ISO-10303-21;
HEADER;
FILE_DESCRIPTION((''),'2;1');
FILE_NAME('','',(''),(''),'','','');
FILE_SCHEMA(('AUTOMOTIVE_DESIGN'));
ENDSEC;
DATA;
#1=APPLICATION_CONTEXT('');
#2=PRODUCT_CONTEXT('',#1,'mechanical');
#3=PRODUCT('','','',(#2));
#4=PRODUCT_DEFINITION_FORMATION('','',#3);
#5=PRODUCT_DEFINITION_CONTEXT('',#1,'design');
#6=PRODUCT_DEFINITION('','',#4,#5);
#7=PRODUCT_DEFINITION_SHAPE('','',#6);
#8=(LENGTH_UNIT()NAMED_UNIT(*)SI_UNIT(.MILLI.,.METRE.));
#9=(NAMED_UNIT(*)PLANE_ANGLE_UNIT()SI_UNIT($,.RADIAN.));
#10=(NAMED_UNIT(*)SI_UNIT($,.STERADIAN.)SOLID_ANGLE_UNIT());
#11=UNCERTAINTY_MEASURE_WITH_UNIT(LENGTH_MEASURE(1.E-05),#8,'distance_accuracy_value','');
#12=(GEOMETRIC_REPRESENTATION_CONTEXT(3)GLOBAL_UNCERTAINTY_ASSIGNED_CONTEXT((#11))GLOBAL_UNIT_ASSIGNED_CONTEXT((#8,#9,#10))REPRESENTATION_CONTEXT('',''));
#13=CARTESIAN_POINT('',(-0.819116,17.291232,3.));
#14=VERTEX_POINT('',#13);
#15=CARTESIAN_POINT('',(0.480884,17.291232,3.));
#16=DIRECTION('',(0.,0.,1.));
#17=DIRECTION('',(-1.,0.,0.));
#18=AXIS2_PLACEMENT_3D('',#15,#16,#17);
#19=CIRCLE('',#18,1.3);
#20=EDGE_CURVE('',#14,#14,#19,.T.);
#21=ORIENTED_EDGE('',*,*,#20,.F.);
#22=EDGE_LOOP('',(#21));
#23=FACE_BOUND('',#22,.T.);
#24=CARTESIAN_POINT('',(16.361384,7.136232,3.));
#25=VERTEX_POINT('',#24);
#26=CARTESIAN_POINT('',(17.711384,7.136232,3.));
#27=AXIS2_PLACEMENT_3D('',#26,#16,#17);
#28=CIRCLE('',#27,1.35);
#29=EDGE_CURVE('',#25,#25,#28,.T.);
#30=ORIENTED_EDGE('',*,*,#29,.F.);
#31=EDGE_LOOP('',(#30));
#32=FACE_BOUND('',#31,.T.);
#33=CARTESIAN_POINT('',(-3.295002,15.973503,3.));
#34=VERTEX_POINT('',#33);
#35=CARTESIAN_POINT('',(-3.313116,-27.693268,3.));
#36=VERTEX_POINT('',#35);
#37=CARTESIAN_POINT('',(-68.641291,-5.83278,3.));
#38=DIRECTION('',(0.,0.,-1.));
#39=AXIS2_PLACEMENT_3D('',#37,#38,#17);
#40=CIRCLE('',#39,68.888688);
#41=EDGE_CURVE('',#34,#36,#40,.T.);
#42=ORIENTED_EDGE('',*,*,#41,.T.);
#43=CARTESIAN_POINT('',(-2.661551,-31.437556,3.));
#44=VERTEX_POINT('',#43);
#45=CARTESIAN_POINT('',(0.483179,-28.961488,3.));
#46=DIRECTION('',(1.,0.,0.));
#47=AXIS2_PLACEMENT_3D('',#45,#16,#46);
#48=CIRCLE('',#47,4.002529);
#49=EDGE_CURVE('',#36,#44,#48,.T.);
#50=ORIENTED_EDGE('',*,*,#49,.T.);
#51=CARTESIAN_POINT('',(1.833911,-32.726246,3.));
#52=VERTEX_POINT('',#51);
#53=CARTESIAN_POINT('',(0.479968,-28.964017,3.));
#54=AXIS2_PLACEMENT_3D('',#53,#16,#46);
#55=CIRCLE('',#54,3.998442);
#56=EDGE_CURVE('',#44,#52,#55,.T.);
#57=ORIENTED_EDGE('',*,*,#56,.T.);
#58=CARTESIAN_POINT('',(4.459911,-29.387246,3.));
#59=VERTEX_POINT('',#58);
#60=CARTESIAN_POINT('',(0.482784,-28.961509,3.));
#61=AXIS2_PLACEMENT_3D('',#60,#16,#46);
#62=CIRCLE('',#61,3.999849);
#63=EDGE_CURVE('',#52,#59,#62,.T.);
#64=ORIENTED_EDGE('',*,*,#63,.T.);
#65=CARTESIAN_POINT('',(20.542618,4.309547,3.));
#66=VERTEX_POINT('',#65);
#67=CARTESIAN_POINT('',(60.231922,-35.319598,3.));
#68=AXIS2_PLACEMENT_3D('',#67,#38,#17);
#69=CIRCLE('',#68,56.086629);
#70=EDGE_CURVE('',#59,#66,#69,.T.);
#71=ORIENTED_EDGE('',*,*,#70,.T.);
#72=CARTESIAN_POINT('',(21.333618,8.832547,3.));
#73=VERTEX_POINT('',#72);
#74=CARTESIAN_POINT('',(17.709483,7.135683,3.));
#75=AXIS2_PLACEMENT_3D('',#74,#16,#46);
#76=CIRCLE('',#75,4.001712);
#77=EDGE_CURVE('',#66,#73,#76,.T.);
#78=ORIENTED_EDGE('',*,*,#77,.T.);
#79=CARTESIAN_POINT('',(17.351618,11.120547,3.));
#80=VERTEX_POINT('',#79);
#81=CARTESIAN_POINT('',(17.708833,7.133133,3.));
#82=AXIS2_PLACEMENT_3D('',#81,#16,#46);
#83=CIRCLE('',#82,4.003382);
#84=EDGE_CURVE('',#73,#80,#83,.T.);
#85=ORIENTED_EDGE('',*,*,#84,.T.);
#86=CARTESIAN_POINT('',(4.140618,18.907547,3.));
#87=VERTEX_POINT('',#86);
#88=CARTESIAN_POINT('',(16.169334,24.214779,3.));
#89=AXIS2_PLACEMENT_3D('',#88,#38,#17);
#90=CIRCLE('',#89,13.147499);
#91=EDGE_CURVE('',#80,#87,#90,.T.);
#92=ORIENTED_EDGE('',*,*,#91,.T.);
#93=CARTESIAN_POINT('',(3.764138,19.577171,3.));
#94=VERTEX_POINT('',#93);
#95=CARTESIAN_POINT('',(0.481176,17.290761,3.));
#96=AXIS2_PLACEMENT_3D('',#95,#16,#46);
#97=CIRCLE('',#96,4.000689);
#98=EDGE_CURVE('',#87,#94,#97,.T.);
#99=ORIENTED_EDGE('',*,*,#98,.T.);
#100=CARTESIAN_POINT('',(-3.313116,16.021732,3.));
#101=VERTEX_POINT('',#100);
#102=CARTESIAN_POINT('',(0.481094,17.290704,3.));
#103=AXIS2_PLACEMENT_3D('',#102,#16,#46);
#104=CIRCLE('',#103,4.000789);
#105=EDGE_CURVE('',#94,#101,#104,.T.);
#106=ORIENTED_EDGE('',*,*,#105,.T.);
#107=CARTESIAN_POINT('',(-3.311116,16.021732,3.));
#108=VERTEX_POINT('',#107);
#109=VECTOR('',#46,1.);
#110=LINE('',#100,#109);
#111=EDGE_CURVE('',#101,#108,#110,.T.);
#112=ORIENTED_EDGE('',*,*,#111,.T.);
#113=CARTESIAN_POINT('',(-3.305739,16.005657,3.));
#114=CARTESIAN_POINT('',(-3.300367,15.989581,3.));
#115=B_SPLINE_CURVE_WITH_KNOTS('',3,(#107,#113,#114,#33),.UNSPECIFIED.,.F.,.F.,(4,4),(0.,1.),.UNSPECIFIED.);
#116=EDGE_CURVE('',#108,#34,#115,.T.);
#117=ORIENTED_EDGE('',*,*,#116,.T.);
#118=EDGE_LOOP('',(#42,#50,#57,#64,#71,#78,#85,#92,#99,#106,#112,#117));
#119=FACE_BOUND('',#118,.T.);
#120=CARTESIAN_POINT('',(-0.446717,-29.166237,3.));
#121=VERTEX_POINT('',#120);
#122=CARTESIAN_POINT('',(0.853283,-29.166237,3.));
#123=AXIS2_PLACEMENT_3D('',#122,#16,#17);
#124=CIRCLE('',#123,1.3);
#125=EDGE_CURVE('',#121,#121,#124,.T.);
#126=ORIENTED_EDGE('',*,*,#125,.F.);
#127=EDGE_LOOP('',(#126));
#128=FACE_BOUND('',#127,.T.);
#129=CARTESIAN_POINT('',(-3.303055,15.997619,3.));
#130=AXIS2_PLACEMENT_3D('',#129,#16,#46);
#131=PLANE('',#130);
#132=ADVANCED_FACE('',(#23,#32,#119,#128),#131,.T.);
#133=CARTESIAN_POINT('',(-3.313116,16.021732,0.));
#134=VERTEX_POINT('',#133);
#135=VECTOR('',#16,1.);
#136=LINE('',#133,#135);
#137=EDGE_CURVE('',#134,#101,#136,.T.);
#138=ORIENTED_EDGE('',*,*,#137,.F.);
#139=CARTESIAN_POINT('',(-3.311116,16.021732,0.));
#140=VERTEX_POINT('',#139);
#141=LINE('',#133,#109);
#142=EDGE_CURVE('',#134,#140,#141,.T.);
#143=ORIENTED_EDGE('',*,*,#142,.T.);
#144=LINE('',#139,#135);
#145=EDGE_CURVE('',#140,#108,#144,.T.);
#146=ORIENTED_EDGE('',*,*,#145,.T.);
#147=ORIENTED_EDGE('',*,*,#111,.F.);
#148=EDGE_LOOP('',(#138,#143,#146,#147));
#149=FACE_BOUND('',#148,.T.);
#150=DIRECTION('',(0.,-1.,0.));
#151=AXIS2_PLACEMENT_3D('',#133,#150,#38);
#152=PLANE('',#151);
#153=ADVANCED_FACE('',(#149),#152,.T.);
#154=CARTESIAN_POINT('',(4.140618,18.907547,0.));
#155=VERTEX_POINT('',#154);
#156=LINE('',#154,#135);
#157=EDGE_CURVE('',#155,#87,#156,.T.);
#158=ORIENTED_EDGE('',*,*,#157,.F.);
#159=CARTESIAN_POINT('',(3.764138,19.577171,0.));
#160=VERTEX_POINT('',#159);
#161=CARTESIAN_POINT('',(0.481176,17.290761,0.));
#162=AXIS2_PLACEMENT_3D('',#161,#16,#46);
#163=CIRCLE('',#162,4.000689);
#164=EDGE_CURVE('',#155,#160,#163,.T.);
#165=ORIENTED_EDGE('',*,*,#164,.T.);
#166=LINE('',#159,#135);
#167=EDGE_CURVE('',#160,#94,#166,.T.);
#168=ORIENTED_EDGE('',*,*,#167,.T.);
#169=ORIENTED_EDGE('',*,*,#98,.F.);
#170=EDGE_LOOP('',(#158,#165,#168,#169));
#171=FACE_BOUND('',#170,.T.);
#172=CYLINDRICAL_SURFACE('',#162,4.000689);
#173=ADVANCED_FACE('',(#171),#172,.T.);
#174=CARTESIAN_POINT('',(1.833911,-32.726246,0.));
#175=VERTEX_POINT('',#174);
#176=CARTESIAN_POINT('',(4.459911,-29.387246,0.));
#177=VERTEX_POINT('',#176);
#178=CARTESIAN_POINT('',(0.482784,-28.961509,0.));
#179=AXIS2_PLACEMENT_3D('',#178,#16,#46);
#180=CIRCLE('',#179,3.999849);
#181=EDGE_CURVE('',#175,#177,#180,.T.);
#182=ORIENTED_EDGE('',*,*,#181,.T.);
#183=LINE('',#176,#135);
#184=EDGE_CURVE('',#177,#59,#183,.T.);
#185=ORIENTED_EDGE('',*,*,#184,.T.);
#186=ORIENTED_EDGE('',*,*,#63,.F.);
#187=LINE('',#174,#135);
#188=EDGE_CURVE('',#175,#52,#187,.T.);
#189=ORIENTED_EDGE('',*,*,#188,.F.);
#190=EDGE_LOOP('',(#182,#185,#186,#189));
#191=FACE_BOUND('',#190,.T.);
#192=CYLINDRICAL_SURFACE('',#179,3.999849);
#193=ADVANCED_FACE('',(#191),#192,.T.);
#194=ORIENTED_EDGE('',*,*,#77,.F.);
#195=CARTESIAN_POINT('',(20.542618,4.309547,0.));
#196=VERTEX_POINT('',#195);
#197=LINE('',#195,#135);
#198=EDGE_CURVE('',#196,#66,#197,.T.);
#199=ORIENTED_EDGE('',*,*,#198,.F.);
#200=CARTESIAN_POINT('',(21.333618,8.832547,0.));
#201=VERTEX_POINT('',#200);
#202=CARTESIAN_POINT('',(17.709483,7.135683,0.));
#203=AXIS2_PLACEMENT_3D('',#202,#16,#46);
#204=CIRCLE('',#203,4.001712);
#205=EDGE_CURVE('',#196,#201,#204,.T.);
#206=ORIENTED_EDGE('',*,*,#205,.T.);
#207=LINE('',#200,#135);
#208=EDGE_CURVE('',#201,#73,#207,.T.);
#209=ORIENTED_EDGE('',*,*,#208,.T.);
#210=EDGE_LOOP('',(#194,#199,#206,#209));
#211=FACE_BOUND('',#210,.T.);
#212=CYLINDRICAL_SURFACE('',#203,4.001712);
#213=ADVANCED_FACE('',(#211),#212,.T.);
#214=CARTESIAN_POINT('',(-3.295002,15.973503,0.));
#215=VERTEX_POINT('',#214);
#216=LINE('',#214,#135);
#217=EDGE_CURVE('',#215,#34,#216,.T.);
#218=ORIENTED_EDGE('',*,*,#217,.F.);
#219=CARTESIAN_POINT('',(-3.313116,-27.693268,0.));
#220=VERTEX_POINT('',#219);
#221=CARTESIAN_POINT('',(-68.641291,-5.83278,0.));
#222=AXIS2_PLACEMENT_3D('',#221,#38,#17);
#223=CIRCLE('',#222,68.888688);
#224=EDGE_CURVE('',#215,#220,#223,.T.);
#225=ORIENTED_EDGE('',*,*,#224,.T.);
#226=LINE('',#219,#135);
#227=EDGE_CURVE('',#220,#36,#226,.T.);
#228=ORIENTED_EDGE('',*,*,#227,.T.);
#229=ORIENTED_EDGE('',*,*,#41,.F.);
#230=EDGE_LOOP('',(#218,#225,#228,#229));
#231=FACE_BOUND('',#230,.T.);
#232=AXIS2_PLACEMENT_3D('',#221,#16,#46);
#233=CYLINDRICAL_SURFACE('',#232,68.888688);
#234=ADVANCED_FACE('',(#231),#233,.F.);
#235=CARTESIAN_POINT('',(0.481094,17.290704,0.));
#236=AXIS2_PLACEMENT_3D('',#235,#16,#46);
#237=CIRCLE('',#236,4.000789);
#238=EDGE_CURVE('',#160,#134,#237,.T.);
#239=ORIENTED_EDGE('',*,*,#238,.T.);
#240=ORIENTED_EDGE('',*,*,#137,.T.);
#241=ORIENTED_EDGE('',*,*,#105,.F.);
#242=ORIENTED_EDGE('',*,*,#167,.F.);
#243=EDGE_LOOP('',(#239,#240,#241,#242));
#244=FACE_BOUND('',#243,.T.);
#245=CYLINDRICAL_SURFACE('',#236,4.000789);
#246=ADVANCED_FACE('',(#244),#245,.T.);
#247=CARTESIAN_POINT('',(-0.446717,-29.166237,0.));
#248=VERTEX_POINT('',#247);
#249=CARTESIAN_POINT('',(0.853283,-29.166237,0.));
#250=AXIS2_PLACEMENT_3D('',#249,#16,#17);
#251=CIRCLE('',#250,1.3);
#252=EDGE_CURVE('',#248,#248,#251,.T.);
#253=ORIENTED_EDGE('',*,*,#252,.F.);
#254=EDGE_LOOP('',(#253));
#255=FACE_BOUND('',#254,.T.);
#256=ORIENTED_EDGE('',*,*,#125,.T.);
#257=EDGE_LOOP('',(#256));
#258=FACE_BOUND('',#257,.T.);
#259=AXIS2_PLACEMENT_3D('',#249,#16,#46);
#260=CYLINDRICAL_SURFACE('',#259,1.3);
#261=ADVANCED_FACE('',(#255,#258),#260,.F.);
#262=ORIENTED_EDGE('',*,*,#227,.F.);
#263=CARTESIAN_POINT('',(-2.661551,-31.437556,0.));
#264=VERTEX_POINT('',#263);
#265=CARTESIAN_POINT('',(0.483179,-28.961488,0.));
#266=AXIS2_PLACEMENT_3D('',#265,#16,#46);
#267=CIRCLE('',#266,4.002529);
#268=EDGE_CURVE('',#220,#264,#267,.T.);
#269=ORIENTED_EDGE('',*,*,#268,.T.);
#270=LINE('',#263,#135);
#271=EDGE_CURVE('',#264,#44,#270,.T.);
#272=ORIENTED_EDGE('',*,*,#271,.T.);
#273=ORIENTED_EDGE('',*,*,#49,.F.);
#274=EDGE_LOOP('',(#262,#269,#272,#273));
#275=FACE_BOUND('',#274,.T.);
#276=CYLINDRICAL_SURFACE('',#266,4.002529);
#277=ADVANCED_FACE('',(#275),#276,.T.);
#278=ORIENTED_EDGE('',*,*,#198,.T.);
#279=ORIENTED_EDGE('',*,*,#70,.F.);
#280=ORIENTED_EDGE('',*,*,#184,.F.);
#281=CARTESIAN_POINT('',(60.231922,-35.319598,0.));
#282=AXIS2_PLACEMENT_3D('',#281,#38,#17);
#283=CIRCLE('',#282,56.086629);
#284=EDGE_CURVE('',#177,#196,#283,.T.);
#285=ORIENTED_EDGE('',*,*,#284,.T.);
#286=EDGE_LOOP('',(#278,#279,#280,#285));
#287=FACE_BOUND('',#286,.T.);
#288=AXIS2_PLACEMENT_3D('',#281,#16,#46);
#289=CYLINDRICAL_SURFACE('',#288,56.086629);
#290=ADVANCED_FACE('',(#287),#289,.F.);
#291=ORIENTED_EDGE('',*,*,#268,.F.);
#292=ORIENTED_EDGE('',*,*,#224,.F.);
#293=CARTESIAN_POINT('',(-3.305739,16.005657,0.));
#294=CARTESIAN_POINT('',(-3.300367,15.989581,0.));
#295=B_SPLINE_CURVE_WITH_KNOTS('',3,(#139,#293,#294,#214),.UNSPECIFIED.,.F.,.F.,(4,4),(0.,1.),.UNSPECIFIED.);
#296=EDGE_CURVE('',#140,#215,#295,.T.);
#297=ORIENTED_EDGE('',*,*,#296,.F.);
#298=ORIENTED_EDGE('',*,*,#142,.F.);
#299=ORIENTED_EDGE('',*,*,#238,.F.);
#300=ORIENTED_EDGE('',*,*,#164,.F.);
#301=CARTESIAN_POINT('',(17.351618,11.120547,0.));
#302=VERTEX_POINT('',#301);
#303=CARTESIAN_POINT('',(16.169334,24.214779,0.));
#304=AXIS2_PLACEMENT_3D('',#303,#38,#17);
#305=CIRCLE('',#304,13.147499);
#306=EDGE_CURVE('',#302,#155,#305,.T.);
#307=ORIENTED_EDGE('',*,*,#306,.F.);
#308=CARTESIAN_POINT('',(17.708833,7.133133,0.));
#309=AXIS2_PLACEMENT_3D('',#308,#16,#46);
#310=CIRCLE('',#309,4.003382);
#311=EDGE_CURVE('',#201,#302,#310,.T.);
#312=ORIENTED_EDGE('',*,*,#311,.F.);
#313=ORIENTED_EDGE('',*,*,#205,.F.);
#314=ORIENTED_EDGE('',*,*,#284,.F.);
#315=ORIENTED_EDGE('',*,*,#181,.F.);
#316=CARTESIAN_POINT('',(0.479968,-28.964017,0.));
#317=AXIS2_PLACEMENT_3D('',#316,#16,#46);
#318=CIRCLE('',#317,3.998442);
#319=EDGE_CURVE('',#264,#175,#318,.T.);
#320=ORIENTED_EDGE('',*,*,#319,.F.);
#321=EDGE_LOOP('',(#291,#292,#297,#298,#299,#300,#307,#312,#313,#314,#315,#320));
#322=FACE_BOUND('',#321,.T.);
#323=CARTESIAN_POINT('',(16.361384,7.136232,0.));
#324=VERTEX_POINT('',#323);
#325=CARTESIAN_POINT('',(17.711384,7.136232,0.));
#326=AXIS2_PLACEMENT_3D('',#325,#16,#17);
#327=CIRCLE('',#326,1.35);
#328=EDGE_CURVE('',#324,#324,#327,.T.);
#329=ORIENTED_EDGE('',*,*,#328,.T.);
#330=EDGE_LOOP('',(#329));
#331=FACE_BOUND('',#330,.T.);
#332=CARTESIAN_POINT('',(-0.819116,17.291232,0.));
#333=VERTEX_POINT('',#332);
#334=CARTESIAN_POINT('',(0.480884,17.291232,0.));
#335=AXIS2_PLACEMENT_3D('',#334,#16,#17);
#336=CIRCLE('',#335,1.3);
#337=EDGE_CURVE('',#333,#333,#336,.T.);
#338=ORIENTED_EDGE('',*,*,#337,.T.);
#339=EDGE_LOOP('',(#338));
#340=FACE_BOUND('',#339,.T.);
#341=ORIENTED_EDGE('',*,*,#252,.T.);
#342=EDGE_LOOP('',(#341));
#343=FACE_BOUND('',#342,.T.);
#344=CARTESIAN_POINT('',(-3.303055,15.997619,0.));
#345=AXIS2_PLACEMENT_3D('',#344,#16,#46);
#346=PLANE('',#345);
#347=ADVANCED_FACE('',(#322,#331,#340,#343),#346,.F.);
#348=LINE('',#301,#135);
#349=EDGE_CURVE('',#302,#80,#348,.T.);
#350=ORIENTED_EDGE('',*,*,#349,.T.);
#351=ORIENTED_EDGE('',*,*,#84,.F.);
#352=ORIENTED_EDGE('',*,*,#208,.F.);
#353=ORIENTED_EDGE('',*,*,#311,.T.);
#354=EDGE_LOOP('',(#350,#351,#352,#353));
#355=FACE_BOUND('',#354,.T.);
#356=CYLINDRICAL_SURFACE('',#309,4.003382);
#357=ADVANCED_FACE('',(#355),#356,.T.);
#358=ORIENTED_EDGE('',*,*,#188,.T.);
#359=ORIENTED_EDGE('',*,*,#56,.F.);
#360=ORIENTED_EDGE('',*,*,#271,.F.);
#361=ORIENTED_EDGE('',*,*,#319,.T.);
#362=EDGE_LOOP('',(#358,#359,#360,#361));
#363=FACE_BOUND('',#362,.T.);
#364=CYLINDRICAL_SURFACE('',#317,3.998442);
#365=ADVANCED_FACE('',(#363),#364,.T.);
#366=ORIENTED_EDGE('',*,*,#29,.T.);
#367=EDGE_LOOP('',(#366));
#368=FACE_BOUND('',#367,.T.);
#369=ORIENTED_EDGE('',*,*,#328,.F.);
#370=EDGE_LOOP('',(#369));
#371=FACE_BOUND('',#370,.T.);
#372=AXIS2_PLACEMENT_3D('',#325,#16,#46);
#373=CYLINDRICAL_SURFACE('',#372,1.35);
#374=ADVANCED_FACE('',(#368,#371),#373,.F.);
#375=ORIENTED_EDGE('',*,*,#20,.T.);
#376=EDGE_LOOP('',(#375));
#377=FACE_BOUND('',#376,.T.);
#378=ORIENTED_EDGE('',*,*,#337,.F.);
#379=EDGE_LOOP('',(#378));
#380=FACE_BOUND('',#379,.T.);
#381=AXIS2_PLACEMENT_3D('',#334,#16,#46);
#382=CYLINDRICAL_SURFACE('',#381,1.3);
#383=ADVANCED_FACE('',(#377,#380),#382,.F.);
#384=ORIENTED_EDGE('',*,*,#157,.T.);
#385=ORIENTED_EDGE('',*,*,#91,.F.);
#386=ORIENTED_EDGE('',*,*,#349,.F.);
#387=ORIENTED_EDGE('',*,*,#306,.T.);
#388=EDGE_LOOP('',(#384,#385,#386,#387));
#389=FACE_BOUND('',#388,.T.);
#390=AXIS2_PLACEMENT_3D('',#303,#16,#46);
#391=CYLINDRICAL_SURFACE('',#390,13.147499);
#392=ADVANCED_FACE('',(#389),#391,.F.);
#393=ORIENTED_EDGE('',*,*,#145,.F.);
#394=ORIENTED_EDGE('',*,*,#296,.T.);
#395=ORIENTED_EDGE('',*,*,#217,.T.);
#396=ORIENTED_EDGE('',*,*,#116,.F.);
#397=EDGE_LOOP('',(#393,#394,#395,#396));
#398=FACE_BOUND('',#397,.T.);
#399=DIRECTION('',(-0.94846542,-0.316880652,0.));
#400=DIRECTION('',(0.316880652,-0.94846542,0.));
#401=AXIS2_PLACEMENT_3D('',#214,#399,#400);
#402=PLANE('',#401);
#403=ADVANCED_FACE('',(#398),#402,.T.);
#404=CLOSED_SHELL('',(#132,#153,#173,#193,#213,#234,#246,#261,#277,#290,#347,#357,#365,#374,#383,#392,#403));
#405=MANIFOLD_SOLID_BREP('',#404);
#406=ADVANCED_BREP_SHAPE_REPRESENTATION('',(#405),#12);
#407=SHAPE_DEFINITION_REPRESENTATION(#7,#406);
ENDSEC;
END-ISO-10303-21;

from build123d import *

# Parameters (mm, degrees)
SKETCH_1_R      = 1.3
SKETCH_1_R_2    = 1.35
EXTRUDE_1_DEPTH = 3


with BuildPart() as part:
    # 草图1 → 凸台-拉伸1 (new body)
    with BuildSketch(Plane.XY.offset(3)):
        with BuildLine():
            Line((-3.313115848, 16.021732214), (-3.311115848, 16.021732214))
            add(Edge.make_bspline(
                [(-3.311115848, 16.021732214), (-3.305738612, 16.005657169), (-3.30036747, 15.989580634), (-3.295002421, 15.973502613)],
                knots=[0, 0, 0, 0, 1, 1, 1, 1], degree=3))
            ThreePointArc((-3.295002421, 15.973502613), (0.247391506, -5.861355765), (-3.313115848, -27.693267786))
            ThreePointArc((-3.313115848, -27.693267786), (-3.460091003, -29.647679281), (-2.661550551, -31.43755613))
            ThreePointArc((-2.661550551, -31.43755613), (-0.621865458, -32.807647593), (1.833911351, -32.726246371))
            ThreePointArc((1.833911351, -32.726246371), (3.626794929, -31.434157055), (4.459911351, -29.387246371))
            ThreePointArc((4.459911351, -29.387246371), (9.614888081, -11.161248479), (20.542617881, 4.309546771))
            ThreePointArc((20.542617881, 4.309546771), (21.651368965, 6.44631062), (21.333617881, 8.832546771))
            ThreePointArc((21.333617881, 8.832546771), (19.703322731, 10.604311941), (17.351617881, 11.120546771))
            ThreePointArc((17.351617881, 11.120546771), (9.493211165, 12.888433489), (4.140617881, 18.907546771))
            ThreePointArc((4.140617881, 18.907546771), (3.968487676, 19.251416126), (3.76413819, 19.577170986))
            ThreePointArc((3.76413819, 19.577170986), (-1.314904342, 20.865715039), (-3.313115848, 16.021732214))
        make_face()
        with Locations(Location((0.853283407, -29.166236957, 0), (0, 0, 180))):
            Circle(SKETCH_1_R, mode=Mode.SUBTRACT)
        with Locations(Location((0.480884152, 17.291232214, 0), (0, 0, 180))):
            Circle(SKETCH_1_R, mode=Mode.SUBTRACT)
        with Locations(Location((17.711384152, 7.136232214, 0), (0, 0, 180))):
            Circle(SKETCH_1_R_2, mode=Mode.SUBTRACT)
    extrude(amount=-EXTRUDE_1_DEPTH)


solid = part.part
